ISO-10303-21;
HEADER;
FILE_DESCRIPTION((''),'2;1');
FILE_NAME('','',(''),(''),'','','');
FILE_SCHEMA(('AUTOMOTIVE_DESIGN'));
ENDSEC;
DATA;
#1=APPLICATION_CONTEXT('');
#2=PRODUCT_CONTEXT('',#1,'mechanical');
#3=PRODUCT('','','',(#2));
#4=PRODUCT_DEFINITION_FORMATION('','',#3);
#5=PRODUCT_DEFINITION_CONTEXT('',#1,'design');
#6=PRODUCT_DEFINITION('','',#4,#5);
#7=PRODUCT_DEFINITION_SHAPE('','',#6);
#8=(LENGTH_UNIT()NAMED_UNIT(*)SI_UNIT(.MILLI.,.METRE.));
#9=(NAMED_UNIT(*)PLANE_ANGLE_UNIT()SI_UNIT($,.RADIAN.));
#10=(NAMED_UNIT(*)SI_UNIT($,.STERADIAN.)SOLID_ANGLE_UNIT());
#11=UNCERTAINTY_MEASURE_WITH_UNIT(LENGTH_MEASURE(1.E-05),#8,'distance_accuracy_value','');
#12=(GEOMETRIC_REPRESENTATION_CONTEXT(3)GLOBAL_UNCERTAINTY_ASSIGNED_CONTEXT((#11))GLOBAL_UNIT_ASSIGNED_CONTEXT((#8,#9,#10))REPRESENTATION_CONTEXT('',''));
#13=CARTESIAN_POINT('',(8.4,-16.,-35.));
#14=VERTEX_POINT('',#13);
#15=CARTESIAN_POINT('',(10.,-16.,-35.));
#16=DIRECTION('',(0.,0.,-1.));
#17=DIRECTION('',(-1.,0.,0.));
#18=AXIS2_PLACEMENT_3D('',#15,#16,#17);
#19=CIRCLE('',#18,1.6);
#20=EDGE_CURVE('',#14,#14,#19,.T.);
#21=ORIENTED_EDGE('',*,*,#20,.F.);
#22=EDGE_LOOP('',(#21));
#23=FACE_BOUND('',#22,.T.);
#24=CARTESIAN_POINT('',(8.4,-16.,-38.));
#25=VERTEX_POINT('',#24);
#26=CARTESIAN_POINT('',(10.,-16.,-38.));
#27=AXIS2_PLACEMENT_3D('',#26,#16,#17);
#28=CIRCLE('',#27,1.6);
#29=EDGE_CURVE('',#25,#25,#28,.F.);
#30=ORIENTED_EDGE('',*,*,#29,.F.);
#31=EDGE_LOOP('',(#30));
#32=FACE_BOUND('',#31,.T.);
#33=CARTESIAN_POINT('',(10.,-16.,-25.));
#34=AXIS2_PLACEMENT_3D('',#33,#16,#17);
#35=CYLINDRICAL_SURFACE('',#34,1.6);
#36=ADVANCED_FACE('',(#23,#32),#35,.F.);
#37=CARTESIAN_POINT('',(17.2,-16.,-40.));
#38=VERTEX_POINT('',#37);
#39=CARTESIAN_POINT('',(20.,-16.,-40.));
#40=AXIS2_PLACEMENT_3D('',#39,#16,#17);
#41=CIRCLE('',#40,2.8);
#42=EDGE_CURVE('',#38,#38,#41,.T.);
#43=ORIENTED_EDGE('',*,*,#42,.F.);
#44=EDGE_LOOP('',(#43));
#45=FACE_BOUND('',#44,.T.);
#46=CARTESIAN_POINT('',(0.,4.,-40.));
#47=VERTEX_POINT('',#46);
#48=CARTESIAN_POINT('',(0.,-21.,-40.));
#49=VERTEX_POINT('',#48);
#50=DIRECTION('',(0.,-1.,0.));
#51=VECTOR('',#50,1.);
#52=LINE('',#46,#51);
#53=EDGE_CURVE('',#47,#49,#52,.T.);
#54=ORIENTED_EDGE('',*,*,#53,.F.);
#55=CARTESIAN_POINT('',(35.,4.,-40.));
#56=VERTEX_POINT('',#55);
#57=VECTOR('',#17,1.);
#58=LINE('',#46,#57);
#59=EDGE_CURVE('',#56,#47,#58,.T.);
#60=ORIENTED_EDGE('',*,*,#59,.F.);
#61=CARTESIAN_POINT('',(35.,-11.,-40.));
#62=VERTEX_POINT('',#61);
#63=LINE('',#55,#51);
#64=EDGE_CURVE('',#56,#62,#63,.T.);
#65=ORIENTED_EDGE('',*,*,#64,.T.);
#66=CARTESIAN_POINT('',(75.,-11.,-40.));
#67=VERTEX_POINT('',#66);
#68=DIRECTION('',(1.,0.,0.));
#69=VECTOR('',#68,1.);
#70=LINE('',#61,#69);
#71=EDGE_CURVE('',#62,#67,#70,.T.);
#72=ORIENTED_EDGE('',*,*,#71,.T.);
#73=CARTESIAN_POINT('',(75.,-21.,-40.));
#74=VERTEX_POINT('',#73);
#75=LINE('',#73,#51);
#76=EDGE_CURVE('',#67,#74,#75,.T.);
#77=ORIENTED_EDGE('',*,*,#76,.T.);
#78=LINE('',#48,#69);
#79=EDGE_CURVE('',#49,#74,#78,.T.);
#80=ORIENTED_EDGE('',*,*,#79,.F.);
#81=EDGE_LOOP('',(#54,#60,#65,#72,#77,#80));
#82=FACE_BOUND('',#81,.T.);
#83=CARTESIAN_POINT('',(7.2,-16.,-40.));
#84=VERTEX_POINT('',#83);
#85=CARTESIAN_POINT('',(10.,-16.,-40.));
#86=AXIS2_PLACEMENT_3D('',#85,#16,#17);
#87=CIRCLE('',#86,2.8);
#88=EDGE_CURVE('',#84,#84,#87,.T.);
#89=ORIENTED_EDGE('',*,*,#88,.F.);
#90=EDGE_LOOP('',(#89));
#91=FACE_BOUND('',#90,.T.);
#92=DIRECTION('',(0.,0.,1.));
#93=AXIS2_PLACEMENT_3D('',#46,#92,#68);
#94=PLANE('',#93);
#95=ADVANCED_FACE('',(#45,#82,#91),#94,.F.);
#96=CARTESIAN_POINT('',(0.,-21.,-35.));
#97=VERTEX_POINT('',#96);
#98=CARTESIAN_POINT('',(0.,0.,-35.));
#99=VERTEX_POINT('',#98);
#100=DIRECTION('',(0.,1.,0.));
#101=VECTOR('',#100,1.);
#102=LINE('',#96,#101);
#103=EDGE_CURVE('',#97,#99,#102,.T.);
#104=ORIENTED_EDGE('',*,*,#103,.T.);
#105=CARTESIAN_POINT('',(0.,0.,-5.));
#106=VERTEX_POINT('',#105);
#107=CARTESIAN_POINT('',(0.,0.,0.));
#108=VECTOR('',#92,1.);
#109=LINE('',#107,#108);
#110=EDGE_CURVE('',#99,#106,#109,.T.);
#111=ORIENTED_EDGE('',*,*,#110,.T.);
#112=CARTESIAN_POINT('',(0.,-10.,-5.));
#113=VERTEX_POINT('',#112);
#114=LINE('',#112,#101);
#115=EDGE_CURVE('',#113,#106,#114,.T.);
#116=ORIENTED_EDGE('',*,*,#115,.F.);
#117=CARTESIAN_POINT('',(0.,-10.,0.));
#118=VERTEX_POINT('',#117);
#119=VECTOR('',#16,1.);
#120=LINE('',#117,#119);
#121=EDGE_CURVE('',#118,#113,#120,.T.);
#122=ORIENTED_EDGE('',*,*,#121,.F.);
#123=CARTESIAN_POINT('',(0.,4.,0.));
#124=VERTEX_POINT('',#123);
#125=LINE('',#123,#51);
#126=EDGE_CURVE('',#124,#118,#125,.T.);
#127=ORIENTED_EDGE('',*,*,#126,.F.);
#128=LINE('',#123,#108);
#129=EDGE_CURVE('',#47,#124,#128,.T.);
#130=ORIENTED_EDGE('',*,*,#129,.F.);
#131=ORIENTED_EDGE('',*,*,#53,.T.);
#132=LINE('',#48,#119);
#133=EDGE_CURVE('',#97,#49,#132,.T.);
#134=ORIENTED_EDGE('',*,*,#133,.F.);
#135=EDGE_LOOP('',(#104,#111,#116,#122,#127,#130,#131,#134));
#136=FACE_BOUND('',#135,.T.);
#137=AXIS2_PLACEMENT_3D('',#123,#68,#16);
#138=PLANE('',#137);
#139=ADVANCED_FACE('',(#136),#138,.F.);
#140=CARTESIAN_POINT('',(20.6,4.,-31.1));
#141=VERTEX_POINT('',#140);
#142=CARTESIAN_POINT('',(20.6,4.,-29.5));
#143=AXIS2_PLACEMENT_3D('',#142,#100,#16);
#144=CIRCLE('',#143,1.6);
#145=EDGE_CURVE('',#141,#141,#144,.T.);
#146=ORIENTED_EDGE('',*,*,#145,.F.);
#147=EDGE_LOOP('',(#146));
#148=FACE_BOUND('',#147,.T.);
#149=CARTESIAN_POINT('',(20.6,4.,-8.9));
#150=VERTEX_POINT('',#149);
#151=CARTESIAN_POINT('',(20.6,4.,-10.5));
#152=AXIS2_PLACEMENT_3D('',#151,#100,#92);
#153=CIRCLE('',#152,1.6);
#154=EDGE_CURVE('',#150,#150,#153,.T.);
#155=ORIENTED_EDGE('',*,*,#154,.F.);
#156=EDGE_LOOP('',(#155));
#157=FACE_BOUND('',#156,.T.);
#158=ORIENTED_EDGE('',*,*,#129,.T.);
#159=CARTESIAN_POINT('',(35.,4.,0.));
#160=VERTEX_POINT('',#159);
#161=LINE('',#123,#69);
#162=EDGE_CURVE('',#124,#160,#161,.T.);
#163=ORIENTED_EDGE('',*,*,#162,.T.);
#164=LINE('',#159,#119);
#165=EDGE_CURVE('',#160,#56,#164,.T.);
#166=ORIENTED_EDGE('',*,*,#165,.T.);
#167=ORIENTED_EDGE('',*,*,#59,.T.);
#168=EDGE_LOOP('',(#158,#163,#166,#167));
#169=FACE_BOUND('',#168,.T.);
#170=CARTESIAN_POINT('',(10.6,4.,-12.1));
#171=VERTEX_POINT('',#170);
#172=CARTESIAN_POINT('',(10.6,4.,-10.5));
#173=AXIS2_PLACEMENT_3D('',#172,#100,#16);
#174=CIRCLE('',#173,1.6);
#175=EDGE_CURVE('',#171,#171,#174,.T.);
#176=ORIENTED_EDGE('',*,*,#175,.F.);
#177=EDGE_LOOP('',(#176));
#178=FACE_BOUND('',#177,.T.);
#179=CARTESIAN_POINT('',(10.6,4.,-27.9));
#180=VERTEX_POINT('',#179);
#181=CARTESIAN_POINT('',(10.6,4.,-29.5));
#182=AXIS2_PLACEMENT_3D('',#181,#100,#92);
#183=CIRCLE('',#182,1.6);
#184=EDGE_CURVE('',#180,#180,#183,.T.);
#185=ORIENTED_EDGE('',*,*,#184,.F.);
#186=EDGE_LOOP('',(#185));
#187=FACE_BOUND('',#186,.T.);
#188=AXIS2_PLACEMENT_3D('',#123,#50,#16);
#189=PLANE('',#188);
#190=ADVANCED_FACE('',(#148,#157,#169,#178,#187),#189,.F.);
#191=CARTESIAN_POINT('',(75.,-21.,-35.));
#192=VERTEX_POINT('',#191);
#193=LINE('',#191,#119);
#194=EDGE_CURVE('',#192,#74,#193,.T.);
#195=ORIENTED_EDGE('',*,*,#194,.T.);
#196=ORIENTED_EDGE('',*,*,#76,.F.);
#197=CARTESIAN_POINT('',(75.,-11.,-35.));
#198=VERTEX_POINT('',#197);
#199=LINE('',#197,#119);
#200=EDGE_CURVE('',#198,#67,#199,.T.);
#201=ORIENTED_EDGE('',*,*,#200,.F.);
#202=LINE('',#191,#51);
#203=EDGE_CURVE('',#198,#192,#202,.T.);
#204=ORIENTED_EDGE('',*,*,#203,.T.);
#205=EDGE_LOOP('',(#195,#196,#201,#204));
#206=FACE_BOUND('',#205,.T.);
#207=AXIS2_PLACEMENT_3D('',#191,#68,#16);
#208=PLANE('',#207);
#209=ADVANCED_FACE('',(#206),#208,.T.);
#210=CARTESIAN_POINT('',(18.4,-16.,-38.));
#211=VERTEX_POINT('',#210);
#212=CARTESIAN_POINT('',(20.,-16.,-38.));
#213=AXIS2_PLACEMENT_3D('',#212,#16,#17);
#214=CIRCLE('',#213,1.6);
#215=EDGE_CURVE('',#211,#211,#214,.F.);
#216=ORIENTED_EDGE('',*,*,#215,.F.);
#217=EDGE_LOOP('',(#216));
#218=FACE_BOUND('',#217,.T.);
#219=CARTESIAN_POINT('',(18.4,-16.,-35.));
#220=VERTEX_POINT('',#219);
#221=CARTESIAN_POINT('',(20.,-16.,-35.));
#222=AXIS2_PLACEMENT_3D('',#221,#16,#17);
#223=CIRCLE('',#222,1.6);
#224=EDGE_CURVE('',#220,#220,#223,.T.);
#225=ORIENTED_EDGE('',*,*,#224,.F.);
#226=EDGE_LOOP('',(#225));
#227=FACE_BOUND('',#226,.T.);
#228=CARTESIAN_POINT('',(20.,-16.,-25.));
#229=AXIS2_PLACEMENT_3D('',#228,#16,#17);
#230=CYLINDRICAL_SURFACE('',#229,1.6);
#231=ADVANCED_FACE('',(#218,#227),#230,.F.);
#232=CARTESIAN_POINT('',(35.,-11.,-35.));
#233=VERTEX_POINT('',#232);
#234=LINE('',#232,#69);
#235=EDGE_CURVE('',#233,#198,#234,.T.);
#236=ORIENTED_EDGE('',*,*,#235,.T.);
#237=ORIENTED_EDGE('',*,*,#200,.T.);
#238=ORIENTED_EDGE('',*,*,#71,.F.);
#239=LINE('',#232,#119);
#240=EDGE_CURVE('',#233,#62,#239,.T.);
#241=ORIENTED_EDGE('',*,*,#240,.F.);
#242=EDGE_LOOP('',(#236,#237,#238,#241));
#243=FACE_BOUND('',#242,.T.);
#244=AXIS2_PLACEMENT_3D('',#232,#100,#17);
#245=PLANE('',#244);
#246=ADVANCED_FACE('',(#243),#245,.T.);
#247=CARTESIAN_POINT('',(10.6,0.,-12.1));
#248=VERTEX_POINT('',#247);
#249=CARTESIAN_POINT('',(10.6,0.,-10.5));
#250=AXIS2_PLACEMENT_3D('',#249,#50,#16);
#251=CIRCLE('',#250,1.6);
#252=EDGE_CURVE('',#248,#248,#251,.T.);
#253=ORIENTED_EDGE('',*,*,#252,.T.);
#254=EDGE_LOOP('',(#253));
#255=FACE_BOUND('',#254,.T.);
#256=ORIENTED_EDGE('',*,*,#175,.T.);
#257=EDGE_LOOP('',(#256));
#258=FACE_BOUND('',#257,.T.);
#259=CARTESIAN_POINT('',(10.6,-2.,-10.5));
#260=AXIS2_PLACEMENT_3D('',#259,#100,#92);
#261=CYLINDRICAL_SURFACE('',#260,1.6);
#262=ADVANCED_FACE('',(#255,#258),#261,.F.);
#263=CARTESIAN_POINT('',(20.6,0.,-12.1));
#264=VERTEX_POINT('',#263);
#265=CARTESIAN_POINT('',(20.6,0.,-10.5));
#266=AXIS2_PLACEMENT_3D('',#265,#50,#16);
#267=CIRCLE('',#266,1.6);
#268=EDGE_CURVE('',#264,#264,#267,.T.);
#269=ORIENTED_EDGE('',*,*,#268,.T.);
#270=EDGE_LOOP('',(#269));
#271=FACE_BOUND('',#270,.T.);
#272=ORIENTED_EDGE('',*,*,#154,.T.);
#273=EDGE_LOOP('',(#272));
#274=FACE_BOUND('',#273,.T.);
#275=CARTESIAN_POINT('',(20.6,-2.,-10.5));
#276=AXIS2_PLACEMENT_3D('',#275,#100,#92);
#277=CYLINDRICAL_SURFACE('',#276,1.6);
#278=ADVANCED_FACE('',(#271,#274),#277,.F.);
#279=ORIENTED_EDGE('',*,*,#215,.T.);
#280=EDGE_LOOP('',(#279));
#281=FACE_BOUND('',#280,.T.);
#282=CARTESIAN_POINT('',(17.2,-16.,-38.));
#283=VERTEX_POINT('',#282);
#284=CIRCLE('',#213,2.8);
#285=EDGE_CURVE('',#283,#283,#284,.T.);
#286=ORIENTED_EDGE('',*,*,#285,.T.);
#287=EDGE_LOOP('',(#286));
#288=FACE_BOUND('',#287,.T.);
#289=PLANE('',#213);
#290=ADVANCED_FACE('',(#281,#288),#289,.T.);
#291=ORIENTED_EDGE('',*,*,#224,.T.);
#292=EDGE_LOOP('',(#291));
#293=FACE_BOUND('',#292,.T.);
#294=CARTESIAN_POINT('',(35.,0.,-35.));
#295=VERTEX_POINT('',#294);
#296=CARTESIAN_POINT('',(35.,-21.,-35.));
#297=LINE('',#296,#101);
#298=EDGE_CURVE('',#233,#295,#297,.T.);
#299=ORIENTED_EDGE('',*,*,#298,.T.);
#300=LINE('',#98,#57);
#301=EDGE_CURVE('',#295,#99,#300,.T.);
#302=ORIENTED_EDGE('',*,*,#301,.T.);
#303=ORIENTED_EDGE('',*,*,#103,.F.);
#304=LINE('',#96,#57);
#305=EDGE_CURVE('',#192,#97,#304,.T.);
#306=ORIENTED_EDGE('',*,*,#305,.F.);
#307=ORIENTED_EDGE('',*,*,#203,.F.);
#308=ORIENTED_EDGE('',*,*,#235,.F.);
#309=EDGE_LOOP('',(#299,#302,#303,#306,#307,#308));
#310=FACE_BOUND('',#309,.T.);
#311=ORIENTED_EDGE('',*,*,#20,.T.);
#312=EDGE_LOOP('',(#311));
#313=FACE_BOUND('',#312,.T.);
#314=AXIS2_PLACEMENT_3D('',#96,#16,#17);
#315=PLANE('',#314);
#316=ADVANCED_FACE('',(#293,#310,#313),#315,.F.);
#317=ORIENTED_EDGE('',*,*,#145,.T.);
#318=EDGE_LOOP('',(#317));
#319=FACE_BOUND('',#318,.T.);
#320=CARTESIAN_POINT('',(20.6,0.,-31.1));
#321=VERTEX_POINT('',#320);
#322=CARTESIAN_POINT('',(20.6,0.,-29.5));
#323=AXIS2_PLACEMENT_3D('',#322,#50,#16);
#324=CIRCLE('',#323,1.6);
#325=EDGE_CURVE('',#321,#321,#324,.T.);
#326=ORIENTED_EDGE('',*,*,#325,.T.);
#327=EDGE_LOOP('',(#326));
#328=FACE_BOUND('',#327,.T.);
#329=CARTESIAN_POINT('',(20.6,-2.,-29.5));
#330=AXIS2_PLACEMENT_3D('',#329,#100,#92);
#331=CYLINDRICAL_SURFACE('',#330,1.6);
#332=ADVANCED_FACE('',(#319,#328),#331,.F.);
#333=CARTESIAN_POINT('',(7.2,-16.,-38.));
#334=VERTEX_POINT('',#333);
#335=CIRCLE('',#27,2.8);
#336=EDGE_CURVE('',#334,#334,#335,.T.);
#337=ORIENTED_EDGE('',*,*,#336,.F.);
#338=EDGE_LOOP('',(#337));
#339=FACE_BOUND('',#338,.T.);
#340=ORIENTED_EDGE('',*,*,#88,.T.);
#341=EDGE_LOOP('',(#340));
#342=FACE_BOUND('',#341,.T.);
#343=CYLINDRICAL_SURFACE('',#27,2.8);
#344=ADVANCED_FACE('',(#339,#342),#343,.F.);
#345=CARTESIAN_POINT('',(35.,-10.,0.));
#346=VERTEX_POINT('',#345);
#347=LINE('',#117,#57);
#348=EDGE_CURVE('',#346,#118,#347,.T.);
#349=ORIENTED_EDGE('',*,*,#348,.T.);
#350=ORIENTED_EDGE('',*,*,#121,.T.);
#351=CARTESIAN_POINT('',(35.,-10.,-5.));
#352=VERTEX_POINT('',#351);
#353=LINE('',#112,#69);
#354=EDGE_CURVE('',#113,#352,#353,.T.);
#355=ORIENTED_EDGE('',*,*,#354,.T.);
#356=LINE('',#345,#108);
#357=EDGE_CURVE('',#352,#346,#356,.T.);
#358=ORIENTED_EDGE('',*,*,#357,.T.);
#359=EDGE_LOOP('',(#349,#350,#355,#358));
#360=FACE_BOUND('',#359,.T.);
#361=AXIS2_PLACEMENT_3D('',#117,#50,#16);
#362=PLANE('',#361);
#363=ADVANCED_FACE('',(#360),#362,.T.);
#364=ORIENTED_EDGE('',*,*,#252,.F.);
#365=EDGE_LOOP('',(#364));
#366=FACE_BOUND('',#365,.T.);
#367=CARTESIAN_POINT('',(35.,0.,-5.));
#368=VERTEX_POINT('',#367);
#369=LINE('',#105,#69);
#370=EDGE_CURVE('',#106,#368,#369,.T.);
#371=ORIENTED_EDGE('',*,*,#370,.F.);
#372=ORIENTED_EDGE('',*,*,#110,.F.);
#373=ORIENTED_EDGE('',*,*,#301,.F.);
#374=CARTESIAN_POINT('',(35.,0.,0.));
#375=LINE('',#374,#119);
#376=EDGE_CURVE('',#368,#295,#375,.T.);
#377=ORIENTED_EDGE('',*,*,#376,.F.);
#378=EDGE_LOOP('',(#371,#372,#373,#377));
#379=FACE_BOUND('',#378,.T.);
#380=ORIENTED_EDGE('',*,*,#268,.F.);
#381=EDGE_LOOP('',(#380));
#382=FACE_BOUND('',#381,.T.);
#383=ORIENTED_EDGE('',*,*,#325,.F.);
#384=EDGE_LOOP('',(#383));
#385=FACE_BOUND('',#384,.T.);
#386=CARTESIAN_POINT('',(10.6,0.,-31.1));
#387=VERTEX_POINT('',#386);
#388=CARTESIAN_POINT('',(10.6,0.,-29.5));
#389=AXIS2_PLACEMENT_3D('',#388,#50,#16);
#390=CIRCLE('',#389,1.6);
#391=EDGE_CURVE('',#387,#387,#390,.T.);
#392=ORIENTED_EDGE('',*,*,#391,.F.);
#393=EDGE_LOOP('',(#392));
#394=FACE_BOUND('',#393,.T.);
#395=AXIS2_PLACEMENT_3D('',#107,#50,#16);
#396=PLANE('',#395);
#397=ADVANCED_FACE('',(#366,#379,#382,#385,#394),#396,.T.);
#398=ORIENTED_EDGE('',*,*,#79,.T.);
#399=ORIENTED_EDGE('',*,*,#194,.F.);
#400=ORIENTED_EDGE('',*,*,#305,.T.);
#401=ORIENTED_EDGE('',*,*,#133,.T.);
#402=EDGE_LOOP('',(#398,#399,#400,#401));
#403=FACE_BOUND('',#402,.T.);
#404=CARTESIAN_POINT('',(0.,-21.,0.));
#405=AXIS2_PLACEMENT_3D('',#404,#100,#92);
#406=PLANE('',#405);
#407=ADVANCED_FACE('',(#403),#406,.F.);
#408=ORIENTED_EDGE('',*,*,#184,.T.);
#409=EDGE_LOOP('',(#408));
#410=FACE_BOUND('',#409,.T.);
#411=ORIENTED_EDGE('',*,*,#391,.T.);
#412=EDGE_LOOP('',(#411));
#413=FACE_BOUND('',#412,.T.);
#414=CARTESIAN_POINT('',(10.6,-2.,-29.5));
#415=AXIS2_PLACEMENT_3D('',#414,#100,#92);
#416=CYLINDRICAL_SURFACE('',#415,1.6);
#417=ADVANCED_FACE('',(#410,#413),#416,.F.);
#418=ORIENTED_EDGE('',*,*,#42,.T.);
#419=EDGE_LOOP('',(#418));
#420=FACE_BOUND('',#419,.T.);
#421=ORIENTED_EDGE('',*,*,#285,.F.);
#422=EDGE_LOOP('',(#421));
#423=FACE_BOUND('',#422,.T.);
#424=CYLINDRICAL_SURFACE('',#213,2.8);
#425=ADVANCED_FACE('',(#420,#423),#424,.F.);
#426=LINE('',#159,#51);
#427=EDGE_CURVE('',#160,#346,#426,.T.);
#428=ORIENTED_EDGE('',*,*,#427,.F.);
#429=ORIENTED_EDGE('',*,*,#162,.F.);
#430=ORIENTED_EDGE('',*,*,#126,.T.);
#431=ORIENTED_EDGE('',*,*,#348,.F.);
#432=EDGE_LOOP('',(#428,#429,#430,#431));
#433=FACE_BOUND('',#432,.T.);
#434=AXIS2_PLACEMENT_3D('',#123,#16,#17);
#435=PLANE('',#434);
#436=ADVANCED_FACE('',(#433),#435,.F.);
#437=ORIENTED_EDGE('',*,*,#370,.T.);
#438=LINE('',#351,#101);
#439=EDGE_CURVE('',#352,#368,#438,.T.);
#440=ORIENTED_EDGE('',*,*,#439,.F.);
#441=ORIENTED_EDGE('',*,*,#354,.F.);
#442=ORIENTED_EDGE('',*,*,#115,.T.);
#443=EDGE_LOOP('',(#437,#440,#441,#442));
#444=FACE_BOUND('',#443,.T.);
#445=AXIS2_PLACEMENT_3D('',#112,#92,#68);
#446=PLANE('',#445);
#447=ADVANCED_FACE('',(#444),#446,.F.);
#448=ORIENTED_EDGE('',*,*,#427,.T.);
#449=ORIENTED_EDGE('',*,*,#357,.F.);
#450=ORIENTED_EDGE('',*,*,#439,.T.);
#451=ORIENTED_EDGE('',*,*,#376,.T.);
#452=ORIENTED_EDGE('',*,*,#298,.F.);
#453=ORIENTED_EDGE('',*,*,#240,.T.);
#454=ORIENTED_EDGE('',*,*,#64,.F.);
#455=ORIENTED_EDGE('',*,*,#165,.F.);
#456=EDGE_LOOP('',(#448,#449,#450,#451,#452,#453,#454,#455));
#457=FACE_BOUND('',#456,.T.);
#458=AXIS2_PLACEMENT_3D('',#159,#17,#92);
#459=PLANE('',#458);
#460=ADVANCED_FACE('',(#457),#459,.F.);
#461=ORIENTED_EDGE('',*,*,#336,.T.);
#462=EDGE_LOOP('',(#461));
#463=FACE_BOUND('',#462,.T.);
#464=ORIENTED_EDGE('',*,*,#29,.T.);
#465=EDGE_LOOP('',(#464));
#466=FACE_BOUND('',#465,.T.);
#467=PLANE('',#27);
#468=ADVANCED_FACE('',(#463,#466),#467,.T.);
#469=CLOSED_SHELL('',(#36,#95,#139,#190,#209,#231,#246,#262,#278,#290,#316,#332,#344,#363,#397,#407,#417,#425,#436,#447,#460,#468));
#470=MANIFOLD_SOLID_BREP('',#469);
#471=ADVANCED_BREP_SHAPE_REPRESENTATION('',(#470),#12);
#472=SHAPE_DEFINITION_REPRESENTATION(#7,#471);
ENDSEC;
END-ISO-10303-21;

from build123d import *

# Parameters (mm, degrees)
SKETCH_1_W          = 35
SKETCH_1_H          = 40
EXTRUDE_1_DEPTH     = 4
SKETCH_2_R          = 1.6
CUT_EXTRUDE_1_DEPTH = 6
SKETCH_3_W          = 35
SKETCH_3_H          = 5
EXTRUDE_2_DEPTH     = 21
SKETCH_4_R          = 1.6
CUT_EXTRUDE_2_DEPTH = 15
SKETCH_5_R          = 2.8
CUT_EXTRUDE_3_DEPTH = 2
SKETCH_6_W          = 40
SKETCH_6_H          = 10
EXTRUDE_3_DEPTH     = 5
SKETCH_7_W          = 35
SKETCH_7_H          = 5
EXTRUDE_4_DEPTH     = 10


with BuildPart() as part:
    # 草图1 → 凸台-拉伸1 (new body)
    with BuildSketch(Plane(origin=(0, 0, 0), x_dir=(1, 0, 0), z_dir=(0, 1, 0))):
        with Locations((17.5, 20)):
            Rectangle(SKETCH_1_W, SKETCH_1_H)
    extrude(amount=EXTRUDE_1_DEPTH)

    # 草图2 → 切除-拉伸1 (cut)
    with BuildSketch(Plane(origin=(0, 4, 0), x_dir=(1, 0, 0), z_dir=(0, 1, 0))):
        with Locations((10.6, 29.5)):
            Circle(SKETCH_2_R)
        with Locations((20.6, 29.5)):
            Circle(SKETCH_2_R)
        with Locations((20.6, 10.5)):
            Circle(SKETCH_2_R)
        with Locations((10.6, 10.5)):
            Circle(SKETCH_2_R)
    extrude(amount=-CUT_EXTRUDE_1_DEPTH, mode=Mode.SUBTRACT)

    # 草图3 → 凸台-拉伸2 (add)
    with BuildSketch(Plane.XZ):
        with Locations((17.5, -37.5)):
            Rectangle(SKETCH_3_W, SKETCH_3_H)
    extrude(amount=EXTRUDE_2_DEPTH)

    # 草图4 → 切除-拉伸2 (cut)
    with BuildSketch(Plane(origin=(0, 0, -40), x_dir=(-1, 0, 0), z_dir=(0, 0, -1))):
        with Locations((-10, -16)):
            Circle(SKETCH_4_R)
        with Locations((-20, -16)):
            Circle(SKETCH_4_R)
    extrude(amount=-CUT_EXTRUDE_2_DEPTH, mode=Mode.SUBTRACT)

    # 草图5 → 切除-拉伸3 (cut)
    with BuildSketch(Plane(origin=(0, 0, -40), x_dir=(-1, 0, 0), z_dir=(0, 0, -1))):
        with Locations((-20, -16)):
            Circle(SKETCH_5_R)
        with Locations((-10, -16)):
            Circle(SKETCH_5_R)
    extrude(amount=-CUT_EXTRUDE_3_DEPTH, mode=Mode.SUBTRACT)

    # 草图6 → 凸台-拉伸3 (add)
    with BuildSketch(Plane(origin=(0, 0, -40), x_dir=(-1, 0, 0), z_dir=(0, 0, -1))):
        with Locations((-55, -16)):
            Rectangle(SKETCH_6_W, SKETCH_6_H)
    extrude(amount=-EXTRUDE_3_DEPTH)

    # 草图7 → 凸台-拉伸4 (add)
    with BuildSketch(Plane.XZ):
        with Locations((17.5, -2.5)):
            Rectangle(SKETCH_7_W, SKETCH_7_H)
    extrude(amount=EXTRUDE_4_DEPTH)


solid = part.part
